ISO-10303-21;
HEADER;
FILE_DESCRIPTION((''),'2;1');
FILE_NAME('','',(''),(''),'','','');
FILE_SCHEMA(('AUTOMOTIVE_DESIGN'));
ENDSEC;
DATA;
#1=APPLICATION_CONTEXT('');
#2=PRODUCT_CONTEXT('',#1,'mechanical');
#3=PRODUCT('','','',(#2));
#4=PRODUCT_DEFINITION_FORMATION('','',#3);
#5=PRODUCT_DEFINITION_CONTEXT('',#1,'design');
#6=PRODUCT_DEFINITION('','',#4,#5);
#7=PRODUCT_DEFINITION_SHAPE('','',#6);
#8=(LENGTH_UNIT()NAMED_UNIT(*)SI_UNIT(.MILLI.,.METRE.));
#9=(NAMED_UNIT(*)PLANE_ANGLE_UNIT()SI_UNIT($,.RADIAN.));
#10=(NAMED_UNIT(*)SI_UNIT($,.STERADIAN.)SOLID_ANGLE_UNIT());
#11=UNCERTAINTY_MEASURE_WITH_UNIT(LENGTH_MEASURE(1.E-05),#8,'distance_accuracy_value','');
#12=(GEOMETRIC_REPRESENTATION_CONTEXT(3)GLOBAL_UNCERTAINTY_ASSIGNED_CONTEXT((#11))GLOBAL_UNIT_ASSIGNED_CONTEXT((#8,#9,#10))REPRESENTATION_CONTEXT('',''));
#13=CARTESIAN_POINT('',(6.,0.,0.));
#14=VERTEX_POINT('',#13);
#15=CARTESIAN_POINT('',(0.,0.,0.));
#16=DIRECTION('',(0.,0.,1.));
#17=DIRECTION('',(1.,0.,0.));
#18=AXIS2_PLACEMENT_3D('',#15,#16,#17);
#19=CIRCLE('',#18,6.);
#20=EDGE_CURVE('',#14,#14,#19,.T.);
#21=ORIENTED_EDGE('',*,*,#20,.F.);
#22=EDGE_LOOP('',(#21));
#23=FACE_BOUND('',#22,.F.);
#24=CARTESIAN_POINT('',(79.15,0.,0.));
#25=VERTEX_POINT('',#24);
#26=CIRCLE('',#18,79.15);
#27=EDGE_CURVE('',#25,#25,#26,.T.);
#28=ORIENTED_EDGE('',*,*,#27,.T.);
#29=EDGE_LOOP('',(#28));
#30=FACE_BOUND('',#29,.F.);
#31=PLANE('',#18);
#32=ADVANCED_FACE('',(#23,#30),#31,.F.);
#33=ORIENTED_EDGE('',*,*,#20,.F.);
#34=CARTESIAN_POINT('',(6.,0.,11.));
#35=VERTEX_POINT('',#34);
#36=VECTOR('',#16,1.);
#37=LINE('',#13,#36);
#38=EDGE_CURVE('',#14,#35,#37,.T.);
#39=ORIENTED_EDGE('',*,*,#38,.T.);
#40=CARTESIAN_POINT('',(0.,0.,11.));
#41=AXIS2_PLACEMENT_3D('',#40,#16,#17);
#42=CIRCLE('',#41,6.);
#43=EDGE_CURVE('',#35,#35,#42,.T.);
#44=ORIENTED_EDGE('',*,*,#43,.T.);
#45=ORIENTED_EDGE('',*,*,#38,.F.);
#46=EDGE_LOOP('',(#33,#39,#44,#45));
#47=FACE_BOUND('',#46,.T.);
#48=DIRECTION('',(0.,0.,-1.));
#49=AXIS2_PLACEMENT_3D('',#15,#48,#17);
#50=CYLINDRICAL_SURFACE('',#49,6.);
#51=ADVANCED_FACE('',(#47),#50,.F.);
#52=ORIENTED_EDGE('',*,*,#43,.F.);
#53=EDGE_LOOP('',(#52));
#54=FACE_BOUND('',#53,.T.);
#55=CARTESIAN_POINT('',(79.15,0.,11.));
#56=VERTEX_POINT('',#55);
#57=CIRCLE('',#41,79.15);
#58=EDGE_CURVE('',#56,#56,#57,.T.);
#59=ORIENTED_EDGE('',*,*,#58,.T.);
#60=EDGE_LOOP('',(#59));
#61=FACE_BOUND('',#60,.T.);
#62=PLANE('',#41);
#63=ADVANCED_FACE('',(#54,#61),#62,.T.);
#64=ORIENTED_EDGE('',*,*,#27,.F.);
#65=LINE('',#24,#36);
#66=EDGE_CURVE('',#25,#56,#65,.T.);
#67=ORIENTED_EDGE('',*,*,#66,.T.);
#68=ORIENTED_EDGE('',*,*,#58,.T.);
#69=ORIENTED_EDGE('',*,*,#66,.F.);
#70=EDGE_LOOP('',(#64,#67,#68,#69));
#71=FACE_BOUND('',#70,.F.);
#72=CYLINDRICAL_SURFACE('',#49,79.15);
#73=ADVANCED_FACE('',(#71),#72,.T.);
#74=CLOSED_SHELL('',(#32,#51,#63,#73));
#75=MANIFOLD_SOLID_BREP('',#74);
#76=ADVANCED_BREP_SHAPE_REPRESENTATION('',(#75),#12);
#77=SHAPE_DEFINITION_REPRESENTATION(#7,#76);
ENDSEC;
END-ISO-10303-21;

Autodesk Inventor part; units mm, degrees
ref_plane "YZ Plane" through (0, 0, 0) normal (1, 0, 0) x (0, 1, 0)
ref_plane "XZ Plane" through (0, 0, 0) normal (0, 1, 0) x (-1, 0, 0)
ref_plane "XY Plane" through (0, 0, 0) normal (0, 0, 1) x (1, 0, 0)
sketch "Sketch1" plane through (0, 0, 0) normal (0, 0, 1) x (1, 0, 0)
  circle A0 centre (0, 0) radius 6
  circle A1 centre (0, 0) radius 79.15
  dimension "d0" = 12
  dimension "d1" = 158.3
extrude "Extrusion1" add sketch "Sketch1" along normal blind 11
properties part number "Diff Large Pulley V2"
